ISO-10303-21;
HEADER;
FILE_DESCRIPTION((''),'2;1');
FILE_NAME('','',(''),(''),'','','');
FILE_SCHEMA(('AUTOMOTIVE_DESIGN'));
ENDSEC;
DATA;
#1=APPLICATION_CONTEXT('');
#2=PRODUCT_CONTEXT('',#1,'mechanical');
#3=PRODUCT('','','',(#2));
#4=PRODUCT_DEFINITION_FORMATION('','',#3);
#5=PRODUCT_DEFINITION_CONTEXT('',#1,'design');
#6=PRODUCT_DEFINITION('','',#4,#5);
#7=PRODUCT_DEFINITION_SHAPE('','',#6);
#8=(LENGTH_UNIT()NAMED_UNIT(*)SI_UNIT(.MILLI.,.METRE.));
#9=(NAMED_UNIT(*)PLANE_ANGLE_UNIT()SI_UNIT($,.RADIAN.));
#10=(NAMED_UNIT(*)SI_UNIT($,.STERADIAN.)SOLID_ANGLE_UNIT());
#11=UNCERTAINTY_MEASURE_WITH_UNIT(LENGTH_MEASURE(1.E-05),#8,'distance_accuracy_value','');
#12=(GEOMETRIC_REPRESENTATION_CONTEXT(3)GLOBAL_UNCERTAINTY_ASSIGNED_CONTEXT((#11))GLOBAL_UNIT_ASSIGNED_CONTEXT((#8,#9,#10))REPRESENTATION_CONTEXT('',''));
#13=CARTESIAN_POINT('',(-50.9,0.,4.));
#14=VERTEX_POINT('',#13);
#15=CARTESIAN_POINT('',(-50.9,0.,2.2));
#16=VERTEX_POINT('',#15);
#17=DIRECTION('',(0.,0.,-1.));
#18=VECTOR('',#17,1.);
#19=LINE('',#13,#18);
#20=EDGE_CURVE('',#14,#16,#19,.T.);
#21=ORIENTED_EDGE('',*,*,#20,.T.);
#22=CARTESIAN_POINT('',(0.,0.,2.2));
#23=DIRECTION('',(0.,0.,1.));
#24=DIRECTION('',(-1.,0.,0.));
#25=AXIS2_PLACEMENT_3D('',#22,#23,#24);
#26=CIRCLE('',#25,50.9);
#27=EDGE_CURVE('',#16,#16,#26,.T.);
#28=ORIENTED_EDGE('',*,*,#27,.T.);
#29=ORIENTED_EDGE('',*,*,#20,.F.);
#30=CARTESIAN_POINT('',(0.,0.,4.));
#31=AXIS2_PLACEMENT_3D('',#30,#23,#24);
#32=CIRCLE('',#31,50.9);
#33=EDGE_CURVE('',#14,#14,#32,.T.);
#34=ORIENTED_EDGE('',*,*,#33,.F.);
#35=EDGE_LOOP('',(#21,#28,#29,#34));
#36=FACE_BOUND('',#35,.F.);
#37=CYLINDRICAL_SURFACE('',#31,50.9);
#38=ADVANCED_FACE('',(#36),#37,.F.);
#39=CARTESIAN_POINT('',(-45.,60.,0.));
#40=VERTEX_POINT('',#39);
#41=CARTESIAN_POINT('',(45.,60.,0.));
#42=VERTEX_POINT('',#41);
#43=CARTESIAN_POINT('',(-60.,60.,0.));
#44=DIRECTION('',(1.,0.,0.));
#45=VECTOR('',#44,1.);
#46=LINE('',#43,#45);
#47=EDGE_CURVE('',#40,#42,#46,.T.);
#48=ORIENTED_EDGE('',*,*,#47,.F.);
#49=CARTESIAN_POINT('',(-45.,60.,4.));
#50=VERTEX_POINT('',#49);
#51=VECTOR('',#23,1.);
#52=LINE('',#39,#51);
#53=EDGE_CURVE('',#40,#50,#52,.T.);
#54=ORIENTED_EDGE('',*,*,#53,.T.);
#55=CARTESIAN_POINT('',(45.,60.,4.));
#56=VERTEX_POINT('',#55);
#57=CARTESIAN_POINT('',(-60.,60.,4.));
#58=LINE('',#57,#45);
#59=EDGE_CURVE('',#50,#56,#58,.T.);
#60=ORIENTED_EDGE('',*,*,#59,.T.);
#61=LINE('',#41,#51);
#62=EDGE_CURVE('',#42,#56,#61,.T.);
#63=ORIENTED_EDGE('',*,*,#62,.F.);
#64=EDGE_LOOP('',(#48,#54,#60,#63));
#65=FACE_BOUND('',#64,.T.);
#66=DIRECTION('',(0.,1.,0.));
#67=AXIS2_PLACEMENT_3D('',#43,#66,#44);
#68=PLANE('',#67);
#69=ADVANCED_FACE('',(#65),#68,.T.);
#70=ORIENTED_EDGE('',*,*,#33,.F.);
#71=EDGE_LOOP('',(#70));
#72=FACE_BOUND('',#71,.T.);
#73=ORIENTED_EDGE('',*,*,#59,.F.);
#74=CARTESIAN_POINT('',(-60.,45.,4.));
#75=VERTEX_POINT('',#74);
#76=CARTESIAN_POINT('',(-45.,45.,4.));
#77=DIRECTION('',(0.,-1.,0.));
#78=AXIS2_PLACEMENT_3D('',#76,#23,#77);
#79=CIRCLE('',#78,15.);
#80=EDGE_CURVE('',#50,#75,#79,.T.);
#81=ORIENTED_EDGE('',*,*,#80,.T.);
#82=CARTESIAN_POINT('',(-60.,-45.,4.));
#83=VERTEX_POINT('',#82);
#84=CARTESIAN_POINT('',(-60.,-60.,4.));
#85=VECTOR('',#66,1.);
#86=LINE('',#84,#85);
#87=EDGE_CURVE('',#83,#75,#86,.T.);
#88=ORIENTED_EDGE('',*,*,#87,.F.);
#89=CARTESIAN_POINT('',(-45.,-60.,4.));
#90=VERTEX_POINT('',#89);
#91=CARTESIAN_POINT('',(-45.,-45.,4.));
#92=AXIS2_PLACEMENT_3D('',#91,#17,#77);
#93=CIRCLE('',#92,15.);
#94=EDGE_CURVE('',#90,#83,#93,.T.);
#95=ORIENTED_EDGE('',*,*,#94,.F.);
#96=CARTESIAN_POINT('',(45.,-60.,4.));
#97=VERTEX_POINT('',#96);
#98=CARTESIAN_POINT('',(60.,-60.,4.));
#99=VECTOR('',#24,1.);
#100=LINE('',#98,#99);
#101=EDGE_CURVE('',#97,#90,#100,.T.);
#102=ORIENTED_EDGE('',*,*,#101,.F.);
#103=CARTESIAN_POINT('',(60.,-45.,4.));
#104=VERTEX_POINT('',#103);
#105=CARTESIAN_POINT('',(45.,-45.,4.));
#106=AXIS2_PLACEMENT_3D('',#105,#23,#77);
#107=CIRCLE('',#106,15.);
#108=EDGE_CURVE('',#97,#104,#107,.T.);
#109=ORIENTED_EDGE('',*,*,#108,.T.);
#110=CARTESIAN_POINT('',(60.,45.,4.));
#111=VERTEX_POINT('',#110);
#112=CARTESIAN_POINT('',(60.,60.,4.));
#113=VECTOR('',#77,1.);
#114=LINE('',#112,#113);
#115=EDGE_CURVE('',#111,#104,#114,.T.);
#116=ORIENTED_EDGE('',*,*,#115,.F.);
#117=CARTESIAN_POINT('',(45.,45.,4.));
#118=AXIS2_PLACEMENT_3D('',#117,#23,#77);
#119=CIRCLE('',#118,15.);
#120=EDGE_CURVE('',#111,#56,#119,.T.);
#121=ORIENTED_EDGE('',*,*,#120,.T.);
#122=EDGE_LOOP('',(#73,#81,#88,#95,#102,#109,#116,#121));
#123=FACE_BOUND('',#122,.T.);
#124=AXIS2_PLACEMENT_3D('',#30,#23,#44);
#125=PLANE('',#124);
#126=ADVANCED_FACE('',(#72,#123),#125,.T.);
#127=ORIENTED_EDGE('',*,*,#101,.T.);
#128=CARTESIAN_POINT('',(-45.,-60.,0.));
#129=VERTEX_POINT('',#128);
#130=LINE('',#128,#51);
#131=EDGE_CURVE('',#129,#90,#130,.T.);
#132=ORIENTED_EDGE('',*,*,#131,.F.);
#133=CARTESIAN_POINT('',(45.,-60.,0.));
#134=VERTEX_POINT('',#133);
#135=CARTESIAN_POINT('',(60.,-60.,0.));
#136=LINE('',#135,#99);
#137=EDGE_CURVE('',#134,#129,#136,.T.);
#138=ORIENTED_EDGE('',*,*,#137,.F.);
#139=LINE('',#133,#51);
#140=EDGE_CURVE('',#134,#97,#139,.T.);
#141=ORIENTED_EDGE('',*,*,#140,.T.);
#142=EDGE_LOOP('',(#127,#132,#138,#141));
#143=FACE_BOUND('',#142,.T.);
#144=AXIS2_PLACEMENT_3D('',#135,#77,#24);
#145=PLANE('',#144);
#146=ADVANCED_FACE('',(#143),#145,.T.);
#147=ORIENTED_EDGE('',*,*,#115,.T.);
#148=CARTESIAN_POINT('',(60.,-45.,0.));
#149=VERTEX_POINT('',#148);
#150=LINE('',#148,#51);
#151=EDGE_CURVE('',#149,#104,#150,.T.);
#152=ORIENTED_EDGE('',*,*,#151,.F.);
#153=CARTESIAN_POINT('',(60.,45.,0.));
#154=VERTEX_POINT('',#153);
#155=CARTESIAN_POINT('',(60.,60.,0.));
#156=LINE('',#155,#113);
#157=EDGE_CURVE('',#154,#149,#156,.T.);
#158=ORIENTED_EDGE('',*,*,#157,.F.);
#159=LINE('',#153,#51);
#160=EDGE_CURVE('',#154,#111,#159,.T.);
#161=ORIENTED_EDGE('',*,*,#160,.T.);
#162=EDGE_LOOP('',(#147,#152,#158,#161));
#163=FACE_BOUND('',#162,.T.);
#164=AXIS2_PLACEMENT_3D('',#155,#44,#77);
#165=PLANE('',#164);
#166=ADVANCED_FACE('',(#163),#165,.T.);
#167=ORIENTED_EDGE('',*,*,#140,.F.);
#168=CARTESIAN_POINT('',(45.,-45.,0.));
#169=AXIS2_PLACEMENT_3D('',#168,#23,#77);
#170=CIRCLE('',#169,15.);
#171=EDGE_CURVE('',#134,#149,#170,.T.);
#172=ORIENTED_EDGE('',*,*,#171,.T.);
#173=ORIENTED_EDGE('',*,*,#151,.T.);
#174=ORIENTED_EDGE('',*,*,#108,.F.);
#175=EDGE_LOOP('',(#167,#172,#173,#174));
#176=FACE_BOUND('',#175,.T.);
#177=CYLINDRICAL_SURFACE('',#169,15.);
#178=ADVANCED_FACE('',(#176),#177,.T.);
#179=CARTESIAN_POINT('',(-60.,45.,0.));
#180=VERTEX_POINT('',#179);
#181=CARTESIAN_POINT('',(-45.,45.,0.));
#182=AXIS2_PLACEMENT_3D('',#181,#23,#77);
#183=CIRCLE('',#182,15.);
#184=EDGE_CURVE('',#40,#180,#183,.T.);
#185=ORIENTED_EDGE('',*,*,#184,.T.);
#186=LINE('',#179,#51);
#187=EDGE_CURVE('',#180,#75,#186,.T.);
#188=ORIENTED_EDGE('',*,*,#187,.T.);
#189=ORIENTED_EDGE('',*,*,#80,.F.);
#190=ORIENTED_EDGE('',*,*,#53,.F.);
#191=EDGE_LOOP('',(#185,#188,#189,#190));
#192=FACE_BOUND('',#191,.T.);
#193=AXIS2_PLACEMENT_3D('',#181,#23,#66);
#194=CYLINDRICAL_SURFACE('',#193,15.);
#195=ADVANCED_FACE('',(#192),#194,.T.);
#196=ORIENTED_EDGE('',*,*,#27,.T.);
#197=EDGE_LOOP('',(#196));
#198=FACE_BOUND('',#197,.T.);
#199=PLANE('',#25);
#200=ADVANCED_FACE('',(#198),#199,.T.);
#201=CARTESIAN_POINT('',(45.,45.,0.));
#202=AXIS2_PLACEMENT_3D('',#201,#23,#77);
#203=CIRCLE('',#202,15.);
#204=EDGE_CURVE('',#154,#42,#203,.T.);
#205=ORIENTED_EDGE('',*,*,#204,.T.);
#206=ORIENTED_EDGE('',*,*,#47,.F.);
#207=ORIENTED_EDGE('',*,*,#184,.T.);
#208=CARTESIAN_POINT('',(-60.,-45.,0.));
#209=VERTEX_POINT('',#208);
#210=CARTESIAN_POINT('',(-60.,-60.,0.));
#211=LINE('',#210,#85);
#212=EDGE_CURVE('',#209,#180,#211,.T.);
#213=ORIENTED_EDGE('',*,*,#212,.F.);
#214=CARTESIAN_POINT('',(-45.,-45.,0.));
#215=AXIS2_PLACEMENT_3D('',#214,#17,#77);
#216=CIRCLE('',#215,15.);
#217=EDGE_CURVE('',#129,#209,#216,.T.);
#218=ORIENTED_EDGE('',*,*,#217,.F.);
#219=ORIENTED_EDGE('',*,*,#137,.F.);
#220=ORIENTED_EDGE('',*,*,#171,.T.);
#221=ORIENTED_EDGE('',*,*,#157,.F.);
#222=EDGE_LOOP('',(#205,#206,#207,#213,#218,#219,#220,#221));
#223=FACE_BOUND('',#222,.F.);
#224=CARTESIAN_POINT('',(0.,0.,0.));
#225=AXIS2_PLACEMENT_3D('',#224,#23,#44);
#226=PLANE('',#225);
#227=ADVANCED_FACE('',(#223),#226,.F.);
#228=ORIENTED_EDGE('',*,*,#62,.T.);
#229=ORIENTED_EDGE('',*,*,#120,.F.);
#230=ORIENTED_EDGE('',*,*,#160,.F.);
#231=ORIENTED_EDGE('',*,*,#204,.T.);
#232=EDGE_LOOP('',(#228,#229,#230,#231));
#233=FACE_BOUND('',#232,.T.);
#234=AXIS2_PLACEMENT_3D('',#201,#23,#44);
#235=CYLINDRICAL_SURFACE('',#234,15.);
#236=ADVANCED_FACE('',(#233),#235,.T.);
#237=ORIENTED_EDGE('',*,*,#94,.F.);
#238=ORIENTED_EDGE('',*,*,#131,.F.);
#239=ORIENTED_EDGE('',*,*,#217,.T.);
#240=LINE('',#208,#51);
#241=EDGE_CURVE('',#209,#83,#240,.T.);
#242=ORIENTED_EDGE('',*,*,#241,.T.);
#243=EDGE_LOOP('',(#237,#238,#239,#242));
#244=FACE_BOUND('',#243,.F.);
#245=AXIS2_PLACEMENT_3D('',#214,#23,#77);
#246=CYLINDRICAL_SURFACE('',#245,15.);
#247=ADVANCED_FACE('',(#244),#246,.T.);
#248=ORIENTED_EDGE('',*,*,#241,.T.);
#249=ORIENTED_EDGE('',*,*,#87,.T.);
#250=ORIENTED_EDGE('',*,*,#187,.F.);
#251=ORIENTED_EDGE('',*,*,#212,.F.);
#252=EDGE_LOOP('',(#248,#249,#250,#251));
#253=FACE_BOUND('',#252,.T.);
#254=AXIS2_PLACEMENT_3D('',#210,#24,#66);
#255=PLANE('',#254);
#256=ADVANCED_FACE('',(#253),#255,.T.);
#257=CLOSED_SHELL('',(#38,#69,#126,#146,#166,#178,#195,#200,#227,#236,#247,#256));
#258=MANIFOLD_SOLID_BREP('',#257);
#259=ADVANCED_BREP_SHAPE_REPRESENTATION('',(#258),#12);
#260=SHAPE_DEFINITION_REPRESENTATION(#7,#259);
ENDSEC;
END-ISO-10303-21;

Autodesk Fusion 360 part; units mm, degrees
sketch "Sketch1" plane through (0, 0, 0) normal (0, 0, 1) x (1, 0, 0)
  circle A0 centre (0, 0) radius 50.9
  line L0 (60, -60) -> (-60, -60)
  line L1 (-60, -60) -> (-60, 60)
  line L2 (-60, 60) -> (60, 60)
  line L3 (60, 60) -> (60, -60)
  line L4 (60, -60) -> (-60, 60) construction
  line L5 (-60, -60) -> (60, 60) construction
  dimension "d1" = 101.8
extrude "Extrude1" add sketch "Sketch1" along normal blind 4 contours A0 | L0 L1 L2 L3
sketch "Sketch2" plane through (0, 0, 4) normal (0, 0, 1) x (-1, 0, 0)
  line L0 (-60, -60) -> (60, -60)
  line L1 (60, -60) -> (60, 60)
  line L2 (60, 60) -> (-60, 60)
  line L3 (-60, 60) -> (-60, -60)
  circle A0 centre (0, 0) radius 50.9
  dimension "d4" = 101.8
extrude "Extrude2" cut sketch "Sketch2" against normal blind 1.8 contours A0
fillet "Fillet1" radius 15 4 edges at (60, -60, 2) (-60, -60, 2) (60, 60, 2) (-60, 60, 2)
